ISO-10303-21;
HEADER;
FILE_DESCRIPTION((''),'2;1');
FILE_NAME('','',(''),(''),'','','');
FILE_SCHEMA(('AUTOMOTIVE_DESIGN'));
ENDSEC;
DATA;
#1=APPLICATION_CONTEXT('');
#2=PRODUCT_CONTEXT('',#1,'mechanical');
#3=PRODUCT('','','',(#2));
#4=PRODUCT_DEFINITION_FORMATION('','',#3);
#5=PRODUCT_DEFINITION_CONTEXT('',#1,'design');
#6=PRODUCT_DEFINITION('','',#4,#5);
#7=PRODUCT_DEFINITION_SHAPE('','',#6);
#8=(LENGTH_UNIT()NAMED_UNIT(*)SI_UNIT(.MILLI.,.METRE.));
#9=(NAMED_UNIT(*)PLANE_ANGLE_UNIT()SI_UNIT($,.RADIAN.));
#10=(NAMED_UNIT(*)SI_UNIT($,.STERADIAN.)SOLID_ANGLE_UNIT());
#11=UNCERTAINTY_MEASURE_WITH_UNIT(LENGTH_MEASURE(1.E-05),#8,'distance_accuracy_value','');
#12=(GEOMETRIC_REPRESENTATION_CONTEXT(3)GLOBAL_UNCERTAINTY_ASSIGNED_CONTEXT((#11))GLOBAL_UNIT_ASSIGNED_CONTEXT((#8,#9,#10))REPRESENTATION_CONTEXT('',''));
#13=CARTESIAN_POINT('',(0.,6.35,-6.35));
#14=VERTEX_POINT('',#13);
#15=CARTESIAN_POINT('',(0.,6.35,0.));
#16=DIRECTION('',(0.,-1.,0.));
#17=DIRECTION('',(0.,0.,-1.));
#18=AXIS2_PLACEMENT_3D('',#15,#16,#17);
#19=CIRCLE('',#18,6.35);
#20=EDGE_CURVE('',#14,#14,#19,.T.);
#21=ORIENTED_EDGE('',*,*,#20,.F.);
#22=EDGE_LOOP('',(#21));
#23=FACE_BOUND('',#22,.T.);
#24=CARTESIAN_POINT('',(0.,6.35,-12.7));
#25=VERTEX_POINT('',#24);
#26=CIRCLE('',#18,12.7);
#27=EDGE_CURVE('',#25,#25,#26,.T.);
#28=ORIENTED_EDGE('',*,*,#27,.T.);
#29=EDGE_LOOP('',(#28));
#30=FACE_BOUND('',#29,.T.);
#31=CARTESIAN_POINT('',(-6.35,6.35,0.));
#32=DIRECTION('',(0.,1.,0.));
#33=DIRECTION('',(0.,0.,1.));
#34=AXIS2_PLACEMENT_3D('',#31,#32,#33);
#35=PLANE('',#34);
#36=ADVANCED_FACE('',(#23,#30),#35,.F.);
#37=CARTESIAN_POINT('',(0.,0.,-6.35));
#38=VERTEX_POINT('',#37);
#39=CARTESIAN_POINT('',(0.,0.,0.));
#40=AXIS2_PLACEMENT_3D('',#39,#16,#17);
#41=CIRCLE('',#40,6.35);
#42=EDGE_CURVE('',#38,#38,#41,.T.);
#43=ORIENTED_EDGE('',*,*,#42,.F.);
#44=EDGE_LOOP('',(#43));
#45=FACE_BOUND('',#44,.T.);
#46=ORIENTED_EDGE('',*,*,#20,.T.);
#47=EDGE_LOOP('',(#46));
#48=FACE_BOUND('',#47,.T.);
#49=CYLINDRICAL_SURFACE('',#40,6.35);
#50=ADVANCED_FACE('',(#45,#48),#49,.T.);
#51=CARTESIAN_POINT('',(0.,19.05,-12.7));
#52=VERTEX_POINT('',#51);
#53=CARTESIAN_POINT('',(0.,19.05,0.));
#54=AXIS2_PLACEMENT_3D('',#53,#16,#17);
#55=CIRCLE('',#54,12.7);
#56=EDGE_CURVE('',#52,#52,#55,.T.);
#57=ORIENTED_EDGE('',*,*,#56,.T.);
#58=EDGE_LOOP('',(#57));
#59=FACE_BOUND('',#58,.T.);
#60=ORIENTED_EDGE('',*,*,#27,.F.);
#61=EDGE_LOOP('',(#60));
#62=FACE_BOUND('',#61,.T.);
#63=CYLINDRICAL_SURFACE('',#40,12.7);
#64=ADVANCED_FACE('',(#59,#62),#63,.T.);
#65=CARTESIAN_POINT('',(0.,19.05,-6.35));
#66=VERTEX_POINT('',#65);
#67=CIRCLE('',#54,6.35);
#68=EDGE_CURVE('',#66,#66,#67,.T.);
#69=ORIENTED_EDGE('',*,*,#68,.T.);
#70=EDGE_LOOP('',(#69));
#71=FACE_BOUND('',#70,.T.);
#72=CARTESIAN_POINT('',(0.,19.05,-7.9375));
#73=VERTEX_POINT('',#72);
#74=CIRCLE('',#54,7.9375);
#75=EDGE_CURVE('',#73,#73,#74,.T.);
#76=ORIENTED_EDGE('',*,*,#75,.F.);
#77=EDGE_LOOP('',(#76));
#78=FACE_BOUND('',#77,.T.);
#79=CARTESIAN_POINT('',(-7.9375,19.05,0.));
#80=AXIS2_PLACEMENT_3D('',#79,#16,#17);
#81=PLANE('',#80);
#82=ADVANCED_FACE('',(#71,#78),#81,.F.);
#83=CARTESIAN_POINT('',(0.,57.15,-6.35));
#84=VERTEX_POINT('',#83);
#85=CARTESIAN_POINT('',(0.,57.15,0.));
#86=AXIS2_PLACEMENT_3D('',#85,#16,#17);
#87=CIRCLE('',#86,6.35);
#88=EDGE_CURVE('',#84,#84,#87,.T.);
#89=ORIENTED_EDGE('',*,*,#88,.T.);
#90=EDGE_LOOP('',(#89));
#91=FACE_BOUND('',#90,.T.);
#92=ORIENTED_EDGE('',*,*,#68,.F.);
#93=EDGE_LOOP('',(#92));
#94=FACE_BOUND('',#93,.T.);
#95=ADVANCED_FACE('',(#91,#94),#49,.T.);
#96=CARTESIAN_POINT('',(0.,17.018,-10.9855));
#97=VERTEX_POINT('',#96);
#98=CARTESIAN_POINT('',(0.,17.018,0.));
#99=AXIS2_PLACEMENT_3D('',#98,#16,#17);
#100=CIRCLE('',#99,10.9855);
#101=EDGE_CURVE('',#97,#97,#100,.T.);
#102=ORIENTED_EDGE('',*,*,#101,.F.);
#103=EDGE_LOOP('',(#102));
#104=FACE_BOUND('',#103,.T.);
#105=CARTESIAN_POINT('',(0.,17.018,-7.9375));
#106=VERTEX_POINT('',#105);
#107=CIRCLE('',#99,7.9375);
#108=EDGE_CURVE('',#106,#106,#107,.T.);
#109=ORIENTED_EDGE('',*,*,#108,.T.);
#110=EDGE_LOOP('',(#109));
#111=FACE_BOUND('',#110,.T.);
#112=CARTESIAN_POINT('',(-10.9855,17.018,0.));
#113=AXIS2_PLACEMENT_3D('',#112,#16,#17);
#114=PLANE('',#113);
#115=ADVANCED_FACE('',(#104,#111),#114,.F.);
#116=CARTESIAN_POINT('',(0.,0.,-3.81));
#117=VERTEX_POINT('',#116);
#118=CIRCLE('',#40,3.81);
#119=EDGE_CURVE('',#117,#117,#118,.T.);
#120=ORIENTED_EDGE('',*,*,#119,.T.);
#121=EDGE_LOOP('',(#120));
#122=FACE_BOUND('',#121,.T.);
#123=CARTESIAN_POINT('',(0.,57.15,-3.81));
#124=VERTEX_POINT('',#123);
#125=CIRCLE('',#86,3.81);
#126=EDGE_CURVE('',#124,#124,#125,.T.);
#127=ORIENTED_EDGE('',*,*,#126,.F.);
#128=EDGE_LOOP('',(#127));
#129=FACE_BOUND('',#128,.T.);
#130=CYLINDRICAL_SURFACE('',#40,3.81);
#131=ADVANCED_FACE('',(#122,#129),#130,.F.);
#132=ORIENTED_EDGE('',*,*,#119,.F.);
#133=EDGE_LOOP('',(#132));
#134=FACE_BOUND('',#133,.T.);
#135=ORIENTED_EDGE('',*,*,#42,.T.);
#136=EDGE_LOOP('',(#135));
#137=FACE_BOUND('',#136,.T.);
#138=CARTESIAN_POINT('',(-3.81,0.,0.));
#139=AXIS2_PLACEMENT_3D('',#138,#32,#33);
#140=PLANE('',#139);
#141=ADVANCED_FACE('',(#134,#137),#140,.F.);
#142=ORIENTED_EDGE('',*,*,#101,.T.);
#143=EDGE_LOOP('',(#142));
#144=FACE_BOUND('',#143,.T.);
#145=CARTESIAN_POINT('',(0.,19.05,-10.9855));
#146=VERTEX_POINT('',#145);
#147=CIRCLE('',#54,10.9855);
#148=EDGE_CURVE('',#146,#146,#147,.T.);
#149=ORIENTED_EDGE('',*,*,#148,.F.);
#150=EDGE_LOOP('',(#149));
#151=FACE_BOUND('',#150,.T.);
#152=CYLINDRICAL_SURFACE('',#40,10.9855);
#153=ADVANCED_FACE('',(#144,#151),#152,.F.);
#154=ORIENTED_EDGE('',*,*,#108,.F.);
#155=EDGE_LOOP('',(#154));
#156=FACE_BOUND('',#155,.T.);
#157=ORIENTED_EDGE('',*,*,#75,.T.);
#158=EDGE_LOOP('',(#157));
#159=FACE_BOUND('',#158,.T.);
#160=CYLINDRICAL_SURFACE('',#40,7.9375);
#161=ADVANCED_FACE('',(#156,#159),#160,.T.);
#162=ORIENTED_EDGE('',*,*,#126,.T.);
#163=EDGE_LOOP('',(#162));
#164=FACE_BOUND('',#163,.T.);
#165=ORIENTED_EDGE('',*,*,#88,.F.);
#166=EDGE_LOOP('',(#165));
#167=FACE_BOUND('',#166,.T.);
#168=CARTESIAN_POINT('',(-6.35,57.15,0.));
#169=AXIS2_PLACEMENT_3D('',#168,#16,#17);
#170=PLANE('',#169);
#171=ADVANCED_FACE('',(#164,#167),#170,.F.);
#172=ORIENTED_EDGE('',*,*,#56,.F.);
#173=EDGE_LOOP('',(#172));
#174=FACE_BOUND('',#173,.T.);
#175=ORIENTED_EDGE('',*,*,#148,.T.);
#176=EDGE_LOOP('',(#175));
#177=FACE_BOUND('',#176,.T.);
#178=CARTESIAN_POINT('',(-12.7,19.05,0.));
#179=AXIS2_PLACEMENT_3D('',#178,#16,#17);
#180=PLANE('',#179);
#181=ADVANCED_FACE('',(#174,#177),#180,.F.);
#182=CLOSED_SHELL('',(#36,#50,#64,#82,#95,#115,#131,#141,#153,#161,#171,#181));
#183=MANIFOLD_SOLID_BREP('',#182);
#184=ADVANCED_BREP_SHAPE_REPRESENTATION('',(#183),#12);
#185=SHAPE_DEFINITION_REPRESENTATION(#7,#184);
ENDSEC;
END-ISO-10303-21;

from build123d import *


with BuildPart() as part:
    # Sketch1 → Revolve1 (revolve)
    with BuildSketch(Plane.XY):
        Polygon((-3.81, 0), (-6.35, 0), (-6.35, 6.35), (-12.7, 6.35), (-12.7, 19.05), (-10.9855, 19.05), (-10.9855, 17.018), (-7.9375, 17.018), (-7.9375, 19.05), (-6.35, 19.05), (-6.35, 57.15), (-3.81, 57.15), align=None)
    revolve(axis=Axis((0, 0, 0), (0, 1, 0)))


solid = part.part
